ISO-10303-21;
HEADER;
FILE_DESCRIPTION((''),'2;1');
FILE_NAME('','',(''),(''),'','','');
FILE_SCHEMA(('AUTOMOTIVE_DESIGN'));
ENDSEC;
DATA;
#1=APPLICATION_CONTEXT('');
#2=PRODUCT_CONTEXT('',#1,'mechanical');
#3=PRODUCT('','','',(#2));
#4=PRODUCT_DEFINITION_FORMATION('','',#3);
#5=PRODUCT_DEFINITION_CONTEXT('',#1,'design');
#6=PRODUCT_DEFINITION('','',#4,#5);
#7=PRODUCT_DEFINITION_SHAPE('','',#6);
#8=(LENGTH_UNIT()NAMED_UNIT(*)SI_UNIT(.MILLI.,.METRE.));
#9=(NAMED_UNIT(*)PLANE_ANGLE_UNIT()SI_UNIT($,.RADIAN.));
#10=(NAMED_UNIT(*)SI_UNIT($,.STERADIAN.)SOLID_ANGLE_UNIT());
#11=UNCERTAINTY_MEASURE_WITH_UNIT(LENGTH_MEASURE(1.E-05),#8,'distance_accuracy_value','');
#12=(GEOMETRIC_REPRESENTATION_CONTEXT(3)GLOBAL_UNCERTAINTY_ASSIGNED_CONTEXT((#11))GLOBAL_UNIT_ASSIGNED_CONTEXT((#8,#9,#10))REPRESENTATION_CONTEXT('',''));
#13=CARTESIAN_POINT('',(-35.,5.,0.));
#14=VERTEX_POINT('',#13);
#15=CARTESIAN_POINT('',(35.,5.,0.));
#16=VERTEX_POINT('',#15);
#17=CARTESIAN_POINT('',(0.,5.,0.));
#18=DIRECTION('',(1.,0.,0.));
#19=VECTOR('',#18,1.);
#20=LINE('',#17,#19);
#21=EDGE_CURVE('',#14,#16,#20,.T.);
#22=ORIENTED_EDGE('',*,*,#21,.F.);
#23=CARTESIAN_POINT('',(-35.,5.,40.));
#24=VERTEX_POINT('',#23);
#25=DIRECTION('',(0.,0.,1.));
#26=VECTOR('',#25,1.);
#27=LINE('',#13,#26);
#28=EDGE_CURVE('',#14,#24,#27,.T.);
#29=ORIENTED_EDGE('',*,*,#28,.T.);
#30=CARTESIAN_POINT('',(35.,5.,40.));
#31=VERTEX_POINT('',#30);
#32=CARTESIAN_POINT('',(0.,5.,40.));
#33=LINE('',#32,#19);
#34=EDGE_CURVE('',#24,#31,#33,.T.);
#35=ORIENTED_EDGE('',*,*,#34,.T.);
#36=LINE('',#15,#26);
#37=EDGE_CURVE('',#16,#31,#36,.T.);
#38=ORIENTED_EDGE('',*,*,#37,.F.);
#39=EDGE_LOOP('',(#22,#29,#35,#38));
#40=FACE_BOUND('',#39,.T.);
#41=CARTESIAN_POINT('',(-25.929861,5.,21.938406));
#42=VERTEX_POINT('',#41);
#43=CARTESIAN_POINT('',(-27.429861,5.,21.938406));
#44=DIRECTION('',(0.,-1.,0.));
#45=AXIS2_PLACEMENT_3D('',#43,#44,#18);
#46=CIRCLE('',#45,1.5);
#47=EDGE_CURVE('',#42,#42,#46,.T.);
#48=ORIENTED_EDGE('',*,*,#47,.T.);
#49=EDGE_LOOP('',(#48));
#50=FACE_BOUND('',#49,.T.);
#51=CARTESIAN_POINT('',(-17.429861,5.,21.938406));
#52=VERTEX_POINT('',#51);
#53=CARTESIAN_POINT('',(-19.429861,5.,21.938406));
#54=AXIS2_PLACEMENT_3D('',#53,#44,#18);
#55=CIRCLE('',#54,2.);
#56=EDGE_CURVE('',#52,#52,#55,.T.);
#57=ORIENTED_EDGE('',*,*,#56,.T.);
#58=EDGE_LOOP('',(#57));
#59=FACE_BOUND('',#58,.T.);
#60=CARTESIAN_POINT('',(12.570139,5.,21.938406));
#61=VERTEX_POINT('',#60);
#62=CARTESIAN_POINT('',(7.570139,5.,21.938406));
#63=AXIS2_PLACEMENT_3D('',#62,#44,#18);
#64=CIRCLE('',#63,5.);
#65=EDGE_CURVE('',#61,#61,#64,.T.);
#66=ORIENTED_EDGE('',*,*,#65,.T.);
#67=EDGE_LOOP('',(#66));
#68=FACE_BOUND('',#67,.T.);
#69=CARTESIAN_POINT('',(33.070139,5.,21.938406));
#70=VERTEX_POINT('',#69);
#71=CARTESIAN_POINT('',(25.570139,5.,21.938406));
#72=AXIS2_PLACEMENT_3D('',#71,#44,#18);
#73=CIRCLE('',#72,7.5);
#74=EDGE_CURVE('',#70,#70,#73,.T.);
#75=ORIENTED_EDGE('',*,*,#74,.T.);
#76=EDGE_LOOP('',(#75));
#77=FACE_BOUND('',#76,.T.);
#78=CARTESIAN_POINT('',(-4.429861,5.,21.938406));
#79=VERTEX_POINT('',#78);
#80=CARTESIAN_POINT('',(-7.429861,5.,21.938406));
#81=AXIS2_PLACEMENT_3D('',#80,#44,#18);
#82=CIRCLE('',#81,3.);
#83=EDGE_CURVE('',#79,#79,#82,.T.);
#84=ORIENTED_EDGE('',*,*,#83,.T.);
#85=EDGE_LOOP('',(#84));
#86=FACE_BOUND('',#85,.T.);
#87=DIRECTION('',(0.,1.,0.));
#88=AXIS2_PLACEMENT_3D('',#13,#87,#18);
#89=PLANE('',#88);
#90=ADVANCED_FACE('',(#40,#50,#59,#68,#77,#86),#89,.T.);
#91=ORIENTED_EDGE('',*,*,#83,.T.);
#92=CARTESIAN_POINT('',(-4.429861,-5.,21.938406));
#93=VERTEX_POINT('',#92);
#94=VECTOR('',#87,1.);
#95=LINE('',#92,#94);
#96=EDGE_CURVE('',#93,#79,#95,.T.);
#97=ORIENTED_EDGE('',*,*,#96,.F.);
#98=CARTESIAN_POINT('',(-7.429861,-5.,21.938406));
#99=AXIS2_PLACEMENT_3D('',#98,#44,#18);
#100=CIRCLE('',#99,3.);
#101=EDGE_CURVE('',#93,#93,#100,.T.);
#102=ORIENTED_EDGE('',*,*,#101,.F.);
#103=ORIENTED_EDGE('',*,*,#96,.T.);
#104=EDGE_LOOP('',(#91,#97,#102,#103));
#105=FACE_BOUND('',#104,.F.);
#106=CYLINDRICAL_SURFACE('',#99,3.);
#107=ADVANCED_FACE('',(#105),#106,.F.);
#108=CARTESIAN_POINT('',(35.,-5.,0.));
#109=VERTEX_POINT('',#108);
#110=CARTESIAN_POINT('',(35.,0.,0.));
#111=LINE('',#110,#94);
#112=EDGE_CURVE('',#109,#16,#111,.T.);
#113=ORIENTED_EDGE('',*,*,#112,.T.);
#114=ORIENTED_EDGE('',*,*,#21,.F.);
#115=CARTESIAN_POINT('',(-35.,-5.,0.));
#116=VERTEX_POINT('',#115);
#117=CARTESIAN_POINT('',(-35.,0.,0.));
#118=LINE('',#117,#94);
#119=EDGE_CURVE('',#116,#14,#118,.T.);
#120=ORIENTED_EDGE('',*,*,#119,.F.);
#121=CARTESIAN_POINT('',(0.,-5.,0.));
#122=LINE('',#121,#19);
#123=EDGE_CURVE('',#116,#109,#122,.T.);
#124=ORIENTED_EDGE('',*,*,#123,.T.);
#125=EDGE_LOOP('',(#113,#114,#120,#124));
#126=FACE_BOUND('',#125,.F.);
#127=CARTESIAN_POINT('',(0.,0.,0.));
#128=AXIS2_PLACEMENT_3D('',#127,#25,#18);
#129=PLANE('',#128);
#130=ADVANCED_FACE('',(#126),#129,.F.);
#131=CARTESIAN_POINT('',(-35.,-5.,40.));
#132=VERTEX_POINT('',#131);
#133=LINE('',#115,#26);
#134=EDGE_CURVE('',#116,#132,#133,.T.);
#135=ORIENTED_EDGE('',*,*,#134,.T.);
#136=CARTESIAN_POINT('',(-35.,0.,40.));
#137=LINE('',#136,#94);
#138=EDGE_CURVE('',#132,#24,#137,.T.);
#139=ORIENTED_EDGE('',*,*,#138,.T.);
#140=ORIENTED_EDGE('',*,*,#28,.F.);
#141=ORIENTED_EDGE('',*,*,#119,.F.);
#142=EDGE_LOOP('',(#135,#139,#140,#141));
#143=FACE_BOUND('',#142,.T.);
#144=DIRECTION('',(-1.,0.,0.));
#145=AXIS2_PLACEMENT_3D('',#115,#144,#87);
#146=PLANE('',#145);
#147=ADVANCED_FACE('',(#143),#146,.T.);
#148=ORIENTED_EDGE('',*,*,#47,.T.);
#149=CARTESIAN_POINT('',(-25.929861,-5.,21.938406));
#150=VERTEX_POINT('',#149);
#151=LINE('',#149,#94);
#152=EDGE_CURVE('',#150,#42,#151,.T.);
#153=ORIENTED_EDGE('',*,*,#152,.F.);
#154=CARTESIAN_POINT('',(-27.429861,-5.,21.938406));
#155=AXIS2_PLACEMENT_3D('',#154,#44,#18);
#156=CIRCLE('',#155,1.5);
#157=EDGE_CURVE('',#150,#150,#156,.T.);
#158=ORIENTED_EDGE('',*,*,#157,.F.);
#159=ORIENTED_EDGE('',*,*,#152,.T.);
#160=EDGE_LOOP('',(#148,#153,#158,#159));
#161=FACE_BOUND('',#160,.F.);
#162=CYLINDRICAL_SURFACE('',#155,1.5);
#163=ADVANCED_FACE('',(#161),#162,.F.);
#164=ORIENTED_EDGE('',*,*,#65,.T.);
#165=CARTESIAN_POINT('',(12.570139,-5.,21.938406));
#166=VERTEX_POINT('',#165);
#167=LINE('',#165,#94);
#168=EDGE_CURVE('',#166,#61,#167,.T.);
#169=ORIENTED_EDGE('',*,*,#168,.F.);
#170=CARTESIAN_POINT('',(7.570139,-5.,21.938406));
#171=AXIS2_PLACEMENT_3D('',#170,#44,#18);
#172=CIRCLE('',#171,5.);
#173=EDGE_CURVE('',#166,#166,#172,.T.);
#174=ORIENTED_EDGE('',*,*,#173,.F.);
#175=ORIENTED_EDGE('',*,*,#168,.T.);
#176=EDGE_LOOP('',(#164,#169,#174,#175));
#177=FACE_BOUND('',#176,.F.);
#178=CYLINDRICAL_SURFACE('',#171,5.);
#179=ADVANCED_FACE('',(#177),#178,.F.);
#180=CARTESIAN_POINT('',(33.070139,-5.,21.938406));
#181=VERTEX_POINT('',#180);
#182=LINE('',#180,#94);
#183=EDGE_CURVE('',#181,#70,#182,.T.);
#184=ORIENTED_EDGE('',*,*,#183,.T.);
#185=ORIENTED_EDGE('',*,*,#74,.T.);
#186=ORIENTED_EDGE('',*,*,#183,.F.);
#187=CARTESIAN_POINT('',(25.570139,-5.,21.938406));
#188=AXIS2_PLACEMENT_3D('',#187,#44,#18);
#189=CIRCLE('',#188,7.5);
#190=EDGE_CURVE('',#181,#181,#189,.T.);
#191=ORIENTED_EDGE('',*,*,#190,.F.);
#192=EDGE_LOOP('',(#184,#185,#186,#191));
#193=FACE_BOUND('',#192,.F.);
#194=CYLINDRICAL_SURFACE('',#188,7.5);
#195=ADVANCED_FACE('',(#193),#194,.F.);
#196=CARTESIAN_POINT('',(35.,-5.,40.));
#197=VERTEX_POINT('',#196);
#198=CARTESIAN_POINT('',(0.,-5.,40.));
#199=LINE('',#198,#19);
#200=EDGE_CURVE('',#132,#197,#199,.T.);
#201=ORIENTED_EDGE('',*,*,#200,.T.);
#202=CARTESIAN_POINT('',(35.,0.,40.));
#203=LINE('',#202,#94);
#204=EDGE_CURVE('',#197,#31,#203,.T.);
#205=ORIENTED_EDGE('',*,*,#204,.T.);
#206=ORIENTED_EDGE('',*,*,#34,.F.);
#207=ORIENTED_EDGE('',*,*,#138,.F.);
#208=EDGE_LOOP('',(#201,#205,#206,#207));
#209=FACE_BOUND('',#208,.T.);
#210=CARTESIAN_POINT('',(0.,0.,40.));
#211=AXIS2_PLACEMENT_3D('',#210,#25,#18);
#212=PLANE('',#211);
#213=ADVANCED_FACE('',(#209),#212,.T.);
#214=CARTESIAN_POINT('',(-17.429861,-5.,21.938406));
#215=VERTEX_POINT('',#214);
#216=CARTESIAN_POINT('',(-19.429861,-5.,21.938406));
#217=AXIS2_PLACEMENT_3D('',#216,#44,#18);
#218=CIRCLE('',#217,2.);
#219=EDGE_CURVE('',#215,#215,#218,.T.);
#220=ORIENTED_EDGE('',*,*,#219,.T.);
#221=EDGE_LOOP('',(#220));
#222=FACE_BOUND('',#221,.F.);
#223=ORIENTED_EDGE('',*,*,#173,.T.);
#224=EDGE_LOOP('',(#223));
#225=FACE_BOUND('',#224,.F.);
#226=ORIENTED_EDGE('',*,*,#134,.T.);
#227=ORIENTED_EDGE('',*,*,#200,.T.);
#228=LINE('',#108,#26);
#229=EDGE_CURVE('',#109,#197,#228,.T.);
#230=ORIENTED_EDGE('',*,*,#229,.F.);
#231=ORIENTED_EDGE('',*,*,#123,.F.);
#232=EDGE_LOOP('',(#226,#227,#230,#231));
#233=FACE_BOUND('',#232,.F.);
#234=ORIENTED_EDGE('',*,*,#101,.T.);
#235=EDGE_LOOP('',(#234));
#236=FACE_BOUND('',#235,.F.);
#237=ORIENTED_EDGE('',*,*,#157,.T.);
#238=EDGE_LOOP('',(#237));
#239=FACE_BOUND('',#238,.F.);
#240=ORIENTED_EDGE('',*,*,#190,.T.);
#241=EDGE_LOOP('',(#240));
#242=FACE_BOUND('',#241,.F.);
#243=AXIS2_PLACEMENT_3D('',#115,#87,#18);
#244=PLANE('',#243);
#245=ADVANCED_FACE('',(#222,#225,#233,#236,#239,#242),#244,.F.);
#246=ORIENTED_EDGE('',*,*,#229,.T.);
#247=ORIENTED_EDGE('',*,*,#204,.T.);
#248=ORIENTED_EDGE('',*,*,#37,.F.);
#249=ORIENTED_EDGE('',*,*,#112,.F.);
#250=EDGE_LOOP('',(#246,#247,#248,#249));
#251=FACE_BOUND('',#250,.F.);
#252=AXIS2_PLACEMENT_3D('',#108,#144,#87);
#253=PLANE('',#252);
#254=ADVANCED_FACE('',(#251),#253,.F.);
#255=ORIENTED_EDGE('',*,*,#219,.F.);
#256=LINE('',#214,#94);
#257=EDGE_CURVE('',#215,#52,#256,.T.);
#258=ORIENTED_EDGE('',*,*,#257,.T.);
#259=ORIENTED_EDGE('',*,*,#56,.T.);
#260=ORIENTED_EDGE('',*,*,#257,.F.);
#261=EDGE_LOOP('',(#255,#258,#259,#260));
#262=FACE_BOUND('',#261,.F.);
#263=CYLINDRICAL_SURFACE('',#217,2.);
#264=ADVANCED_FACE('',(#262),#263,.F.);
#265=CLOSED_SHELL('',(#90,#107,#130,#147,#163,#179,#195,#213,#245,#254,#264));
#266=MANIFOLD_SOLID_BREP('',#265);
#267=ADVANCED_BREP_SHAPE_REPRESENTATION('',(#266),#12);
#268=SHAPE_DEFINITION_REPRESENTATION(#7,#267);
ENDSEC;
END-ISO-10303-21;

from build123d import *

# Parameters (mm, degrees)
F0_W     = 70
F0_H     = 10
F1_DEPTH = 40
F2_R     = 5
F2_R_2   = 7.5
F2_R_3   = 3
F2_R_4   = 2
F2_R_5   = 1.5
F3_DEPTH = 25


with BuildPart() as f1:
    # F0 (on Top) → F1 (new body)
    with BuildSketch(Plane.XY):
        Rectangle(F0_W, F0_H)
    extrude(amount=F1_DEPTH)

    # F2 (on face) → F3 (cut)
    with BuildSketch(Plane.XZ.offset(5)):
        with Locations((7.570139, 21.938406)):
            Circle(F2_R)
        with Locations((25.570139, 21.938406)):
            Circle(F2_R_2)
        with Locations((-7.429861, 21.938406)):
            Circle(F2_R_3)
        with Locations((-19.429861, 21.938406)):
            Circle(F2_R_4)
        with Locations((-27.429861, 21.938406)):
            Circle(F2_R_5)
    extrude(amount=-F3_DEPTH, mode=Mode.SUBTRACT)


solid = f1.part
